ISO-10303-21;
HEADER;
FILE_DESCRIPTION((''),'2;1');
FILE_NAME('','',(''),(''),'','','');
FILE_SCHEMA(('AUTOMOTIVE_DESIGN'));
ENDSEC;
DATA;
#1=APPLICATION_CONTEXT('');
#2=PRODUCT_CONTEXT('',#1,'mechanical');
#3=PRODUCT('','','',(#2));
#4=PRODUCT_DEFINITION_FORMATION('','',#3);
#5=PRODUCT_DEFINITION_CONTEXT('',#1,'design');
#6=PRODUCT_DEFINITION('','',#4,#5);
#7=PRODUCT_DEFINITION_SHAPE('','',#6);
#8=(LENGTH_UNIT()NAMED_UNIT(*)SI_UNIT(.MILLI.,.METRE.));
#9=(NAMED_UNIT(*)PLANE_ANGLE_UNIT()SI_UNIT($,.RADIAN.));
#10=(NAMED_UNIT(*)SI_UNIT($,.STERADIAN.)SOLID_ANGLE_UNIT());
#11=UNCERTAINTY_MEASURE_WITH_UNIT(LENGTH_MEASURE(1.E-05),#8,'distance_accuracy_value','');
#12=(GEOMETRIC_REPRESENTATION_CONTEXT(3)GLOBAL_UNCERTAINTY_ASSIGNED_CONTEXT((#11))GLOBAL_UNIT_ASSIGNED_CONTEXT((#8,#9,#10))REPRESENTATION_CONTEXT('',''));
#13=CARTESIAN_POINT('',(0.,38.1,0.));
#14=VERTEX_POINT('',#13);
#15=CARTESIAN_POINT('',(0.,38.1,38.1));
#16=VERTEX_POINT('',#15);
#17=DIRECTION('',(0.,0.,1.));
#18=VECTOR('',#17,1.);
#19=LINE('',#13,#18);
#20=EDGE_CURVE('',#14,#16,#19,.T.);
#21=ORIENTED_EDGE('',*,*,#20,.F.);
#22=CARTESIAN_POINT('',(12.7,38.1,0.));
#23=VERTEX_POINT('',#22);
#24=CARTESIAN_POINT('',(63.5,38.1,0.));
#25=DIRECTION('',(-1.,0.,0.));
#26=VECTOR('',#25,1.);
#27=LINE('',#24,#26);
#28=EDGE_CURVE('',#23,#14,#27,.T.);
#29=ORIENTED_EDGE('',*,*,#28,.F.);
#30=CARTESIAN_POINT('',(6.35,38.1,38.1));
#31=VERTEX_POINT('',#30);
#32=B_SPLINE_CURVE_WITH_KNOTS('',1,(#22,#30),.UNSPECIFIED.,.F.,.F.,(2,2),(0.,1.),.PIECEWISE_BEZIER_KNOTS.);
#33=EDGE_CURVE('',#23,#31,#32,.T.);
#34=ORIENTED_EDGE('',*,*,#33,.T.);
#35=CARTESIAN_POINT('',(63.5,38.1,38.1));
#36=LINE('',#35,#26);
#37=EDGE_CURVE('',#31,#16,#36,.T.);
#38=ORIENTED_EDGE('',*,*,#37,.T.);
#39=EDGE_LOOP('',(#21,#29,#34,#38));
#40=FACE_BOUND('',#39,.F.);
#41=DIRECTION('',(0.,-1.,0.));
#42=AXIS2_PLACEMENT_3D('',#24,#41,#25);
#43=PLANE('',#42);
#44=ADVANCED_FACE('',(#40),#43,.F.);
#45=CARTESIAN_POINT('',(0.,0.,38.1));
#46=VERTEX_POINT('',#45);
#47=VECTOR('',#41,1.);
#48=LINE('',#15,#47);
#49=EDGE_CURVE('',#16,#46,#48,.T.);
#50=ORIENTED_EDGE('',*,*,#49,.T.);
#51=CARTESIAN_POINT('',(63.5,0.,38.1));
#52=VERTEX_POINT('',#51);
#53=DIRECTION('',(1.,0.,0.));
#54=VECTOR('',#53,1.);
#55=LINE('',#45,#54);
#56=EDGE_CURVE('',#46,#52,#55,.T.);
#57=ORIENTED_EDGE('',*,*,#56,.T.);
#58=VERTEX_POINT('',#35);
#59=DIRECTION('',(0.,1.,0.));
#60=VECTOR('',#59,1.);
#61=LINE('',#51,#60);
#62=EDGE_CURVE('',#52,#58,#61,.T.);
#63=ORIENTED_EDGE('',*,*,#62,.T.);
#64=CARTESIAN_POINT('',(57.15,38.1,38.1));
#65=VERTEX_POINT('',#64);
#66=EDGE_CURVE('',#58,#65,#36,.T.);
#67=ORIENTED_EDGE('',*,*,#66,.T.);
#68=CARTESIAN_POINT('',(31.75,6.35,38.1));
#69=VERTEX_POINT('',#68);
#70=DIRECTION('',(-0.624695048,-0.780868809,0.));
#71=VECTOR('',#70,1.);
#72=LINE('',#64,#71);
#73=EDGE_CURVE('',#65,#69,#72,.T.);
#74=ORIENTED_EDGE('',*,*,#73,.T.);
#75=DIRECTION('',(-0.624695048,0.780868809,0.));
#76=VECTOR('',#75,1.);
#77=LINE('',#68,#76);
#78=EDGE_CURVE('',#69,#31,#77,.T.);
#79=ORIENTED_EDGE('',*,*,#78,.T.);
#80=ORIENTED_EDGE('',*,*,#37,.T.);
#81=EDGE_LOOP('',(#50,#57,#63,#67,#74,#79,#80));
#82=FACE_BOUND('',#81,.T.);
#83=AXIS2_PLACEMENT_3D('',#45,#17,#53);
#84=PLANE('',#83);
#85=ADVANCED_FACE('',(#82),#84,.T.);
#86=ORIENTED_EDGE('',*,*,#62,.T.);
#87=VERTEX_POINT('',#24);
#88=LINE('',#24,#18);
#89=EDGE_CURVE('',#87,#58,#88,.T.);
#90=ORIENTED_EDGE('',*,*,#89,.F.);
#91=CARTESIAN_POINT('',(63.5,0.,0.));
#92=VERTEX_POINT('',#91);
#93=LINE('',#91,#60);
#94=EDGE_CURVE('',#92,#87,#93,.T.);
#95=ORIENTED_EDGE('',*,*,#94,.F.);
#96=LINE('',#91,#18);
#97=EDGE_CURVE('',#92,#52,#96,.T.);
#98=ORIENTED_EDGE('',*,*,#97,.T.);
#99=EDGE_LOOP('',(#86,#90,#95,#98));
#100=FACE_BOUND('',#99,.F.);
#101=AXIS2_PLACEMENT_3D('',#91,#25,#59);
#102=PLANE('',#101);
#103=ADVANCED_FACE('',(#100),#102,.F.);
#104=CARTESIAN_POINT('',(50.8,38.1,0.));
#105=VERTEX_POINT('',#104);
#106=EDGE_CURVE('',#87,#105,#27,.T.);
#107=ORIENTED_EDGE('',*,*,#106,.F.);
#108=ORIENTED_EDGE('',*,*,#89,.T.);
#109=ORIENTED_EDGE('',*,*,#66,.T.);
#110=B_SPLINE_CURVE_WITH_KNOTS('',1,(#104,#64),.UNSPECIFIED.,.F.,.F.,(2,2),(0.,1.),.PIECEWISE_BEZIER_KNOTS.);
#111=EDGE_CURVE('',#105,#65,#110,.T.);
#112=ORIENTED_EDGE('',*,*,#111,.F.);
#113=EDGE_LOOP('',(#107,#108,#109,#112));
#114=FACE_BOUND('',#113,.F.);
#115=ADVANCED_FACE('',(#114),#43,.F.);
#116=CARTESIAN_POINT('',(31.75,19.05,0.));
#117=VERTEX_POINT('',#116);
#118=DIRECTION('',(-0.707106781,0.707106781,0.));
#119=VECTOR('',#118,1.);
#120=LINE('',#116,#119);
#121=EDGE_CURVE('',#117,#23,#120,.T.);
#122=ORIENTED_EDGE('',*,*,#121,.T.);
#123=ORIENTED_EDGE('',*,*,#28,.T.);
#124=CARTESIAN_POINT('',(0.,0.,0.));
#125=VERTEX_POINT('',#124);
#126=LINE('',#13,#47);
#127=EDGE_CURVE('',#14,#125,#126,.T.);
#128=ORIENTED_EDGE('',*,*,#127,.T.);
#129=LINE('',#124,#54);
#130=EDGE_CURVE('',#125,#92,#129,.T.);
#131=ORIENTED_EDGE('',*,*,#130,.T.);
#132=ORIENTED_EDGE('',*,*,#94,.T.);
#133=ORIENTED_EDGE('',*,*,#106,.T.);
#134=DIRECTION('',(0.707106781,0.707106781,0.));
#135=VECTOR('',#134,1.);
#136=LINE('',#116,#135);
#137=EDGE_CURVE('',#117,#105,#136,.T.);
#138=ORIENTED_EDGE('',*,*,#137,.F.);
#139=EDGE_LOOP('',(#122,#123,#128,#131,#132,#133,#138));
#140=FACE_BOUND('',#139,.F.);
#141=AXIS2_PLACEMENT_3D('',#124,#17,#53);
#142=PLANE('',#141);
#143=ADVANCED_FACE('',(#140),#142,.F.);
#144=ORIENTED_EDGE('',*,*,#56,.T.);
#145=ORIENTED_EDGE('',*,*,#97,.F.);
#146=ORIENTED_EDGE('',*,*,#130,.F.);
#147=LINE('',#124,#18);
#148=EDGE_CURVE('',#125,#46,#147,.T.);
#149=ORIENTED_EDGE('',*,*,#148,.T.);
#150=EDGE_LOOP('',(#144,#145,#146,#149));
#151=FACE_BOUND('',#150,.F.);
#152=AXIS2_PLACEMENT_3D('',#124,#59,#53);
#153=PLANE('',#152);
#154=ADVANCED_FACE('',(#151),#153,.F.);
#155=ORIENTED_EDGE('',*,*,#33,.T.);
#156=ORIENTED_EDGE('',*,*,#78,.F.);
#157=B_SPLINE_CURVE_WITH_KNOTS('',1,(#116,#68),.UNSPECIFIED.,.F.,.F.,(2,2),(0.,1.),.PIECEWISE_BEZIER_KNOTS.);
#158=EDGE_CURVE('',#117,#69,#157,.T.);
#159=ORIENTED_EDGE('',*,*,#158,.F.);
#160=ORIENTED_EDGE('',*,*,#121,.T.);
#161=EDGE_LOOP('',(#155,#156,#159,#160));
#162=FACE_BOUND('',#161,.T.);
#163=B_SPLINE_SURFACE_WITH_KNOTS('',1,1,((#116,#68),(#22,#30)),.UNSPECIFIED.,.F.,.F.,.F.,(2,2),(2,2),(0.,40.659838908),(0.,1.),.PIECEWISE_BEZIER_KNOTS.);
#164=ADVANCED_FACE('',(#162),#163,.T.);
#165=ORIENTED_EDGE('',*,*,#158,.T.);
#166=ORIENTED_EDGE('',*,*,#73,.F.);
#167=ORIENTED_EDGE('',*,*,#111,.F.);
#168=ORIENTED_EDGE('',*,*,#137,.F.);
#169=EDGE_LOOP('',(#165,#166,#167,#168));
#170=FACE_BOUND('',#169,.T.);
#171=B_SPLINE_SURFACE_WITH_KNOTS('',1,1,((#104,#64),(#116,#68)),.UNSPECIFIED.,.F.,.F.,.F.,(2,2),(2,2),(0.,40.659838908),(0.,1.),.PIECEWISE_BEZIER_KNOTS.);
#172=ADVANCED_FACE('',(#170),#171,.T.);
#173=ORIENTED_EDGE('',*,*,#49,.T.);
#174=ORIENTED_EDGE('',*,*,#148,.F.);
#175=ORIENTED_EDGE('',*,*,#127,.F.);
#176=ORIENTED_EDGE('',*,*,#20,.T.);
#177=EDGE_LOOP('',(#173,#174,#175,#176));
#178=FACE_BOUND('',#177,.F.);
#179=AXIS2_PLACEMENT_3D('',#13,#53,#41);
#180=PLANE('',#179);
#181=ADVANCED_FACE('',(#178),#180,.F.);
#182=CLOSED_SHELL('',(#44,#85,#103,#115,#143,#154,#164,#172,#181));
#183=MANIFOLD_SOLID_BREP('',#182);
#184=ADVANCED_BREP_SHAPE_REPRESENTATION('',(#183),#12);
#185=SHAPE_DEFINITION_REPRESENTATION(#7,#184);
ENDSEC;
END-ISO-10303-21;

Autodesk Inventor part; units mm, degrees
ref_plane "YZ Plane" through (0, 0, 0) normal (1, 0, 0) x (0, 1, 0)
ref_plane "XZ Plane" through (0, 0, 0) normal (0, 1, 0) x (-1, 0, 0)
ref_plane "XY Plane" through (0, 0, 0) normal (0, 0, 1) x (1, 0, 0)
sketch "Sketch1" plane through (0, 0, 0) normal (0, 0, 1) x (1, 0, 0)
  line L0 (0, 0) -> (63.5, 0)
  line L1 (63.5, 0) -> (63.5, 38.1)
  line L2 (63.5, 38.1) -> (0, 38.1)
  line L3 (0, 38.1) -> (0, 0)
  dimension "d0" = 63.5
  dimension "d1" = 38.1
extrude "Extrusion1" add sketch "Sketch1" along normal blind 38.1
sketch "Sketch4" plane through (0, 0, 0) normal (0, 0, -1) x (-1, 0, 0)
  line L0 (-31.75, 19.05) -> (-12.7, 38.1)
  line L1 (-31.75, 19.05) -> (-50.8, 38.1)
  line L2 (-50.8, 38.1) -> (-12.7, 38.1)
  point P0 (-63.5, 0)
sketch "Sketch3" plane through (0, 0, 38.1) normal (0, 0, 1) x (1, 0, 0)
  line L0 (57.15, 38.1) -> (31.75, 6.35)
  line L1 (31.75, 6.35) -> (6.35, 38.1)
  line L2 (6.35, 38.1) -> (57.15, 38.1)
  point P0 (0, 0)
  point P1 (63.5, 38.1)
loft "Loft1" cut profiles "Sketch4", "Sketch3"
properties part number "LoftCut"
